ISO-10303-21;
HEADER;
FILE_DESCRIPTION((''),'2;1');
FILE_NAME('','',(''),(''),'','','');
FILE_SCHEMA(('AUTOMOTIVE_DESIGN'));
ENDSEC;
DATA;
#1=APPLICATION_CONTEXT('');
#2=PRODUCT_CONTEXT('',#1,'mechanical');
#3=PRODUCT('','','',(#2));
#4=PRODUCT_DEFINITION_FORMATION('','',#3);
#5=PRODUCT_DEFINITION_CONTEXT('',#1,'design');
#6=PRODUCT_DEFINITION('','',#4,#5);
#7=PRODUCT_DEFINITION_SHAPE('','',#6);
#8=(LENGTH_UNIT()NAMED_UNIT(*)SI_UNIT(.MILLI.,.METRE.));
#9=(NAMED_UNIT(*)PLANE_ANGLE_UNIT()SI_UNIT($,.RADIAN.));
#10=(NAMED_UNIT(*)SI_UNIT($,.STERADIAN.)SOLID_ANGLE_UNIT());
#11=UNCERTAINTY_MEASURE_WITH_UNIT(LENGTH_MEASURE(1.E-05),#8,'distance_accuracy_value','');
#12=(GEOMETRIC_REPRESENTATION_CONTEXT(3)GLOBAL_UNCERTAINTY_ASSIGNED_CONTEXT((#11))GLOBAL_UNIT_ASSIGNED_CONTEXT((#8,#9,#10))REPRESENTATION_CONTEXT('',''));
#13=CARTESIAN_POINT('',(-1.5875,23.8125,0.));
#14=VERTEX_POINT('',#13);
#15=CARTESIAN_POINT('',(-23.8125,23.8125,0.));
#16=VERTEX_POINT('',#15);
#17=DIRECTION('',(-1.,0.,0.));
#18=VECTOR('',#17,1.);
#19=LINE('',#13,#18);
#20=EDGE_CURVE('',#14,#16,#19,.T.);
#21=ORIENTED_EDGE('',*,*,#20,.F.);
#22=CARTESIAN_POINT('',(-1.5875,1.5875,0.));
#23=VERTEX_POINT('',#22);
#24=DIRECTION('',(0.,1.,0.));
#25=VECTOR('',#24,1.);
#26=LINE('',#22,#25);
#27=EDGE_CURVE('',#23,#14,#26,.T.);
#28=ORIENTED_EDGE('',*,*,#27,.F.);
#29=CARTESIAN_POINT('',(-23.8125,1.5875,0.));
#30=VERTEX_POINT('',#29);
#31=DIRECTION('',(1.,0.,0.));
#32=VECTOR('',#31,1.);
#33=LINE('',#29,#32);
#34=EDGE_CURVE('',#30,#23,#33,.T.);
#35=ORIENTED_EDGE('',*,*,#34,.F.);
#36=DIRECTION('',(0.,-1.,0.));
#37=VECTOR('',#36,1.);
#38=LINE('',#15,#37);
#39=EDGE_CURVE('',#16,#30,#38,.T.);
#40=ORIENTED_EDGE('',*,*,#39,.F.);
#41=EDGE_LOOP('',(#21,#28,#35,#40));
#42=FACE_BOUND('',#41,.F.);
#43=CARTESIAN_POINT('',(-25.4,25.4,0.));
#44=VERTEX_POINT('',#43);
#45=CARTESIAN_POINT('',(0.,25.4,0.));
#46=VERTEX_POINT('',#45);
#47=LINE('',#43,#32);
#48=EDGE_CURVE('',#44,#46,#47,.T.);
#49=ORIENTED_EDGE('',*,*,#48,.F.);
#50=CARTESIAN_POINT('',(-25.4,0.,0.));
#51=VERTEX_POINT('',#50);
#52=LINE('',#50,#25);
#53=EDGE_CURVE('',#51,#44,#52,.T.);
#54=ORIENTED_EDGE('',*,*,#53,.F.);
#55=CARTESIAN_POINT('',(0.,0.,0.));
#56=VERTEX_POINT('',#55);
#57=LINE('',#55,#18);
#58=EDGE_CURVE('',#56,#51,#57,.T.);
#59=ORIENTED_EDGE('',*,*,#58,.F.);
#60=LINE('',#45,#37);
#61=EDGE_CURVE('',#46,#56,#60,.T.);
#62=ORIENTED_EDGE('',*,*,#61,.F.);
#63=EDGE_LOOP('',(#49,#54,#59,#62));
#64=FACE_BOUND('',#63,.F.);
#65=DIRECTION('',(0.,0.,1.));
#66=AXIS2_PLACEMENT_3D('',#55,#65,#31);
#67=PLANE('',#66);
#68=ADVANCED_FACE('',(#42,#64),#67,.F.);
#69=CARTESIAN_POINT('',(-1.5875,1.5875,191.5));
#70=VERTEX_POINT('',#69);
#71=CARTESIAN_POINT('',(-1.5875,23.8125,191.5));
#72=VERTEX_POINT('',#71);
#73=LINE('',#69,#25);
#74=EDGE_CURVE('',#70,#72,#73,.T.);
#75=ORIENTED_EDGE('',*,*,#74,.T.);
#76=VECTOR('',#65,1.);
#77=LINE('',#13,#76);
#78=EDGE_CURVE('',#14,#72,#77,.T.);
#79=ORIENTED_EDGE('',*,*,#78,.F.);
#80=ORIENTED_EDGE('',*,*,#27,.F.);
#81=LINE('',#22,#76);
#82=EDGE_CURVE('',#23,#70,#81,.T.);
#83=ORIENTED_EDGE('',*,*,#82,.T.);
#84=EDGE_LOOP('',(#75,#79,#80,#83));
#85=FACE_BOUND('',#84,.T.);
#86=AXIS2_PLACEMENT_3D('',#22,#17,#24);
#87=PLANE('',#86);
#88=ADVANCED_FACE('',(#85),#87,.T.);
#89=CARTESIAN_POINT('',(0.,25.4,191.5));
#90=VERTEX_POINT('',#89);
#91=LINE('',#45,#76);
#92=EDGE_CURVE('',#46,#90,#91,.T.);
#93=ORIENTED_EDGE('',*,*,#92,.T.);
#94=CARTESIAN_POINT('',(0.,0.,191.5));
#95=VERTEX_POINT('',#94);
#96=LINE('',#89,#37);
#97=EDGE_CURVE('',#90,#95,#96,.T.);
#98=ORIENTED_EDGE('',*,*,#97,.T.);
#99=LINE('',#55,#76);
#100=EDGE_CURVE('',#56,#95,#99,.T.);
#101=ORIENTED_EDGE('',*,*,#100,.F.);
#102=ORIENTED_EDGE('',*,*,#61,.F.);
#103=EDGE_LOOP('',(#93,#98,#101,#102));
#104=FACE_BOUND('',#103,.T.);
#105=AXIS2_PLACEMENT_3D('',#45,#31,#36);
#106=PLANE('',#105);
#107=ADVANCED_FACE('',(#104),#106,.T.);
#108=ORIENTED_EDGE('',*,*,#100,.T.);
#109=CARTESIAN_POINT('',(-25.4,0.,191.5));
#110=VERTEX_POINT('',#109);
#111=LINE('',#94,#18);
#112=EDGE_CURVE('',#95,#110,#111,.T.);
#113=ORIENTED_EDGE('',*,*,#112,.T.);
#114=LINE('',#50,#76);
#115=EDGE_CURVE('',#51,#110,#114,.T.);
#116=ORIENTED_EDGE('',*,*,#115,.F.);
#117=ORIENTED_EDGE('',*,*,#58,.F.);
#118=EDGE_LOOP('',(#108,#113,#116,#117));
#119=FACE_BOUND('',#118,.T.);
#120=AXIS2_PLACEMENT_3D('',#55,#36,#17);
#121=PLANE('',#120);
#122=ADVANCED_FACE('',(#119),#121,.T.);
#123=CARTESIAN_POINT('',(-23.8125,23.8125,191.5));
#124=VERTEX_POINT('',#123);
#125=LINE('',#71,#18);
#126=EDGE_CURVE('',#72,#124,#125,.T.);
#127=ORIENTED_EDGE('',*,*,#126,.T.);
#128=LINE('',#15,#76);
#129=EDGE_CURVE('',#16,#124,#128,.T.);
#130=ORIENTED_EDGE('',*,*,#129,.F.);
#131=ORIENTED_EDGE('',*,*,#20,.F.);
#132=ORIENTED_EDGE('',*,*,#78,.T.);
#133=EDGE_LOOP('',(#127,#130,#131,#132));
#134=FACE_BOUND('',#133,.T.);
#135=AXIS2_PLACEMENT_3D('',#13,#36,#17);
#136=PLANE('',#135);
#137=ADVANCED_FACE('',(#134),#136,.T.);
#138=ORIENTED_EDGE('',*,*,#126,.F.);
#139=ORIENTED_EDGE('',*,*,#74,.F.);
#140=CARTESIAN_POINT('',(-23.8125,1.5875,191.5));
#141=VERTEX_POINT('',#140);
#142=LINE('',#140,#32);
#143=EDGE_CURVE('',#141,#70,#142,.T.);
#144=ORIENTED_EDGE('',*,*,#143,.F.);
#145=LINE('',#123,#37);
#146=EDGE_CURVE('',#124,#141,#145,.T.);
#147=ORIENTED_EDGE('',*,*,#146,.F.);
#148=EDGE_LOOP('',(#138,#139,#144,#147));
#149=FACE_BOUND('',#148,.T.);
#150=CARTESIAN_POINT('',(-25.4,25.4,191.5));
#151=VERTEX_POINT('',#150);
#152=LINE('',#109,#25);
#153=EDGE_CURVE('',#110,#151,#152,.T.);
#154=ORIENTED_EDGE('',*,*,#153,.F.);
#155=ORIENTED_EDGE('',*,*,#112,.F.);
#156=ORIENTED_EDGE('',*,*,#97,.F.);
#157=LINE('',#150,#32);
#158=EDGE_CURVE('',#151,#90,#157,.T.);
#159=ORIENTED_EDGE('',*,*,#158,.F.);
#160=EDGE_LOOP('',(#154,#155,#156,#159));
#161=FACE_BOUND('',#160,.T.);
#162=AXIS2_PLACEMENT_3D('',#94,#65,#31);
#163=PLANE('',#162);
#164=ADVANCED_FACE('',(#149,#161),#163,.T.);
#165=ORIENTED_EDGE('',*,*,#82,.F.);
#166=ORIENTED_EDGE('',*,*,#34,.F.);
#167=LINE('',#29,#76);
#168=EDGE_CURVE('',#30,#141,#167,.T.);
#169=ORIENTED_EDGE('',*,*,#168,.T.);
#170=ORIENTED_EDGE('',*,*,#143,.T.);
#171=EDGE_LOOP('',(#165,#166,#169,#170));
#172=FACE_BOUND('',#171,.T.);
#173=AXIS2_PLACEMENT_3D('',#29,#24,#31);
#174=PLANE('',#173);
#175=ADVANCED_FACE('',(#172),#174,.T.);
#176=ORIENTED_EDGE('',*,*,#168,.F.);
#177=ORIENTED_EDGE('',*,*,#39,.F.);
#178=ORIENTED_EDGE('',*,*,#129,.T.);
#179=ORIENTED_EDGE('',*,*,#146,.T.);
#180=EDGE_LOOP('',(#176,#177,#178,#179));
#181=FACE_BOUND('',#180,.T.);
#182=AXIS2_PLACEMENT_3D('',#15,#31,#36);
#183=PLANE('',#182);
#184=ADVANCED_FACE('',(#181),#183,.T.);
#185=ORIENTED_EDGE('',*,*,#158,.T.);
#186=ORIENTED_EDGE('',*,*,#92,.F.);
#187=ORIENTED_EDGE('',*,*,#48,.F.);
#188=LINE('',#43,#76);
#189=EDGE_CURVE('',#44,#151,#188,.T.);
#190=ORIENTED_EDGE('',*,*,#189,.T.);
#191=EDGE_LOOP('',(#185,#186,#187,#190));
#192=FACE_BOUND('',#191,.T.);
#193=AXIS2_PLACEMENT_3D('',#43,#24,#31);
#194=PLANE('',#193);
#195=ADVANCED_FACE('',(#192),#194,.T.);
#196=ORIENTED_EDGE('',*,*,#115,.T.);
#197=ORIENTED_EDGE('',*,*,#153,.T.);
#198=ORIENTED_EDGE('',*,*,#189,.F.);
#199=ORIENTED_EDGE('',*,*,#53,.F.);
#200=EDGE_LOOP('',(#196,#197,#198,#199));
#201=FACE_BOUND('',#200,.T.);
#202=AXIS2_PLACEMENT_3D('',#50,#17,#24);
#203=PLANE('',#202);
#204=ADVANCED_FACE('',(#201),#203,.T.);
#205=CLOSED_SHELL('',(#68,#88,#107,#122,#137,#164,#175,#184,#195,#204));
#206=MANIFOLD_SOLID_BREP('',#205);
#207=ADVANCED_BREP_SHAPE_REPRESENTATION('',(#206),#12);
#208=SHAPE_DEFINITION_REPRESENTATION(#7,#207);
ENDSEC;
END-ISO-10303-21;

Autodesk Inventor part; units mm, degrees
ref_plane "YZ Plane" through (0, 0, 0) normal (1, 0, 0) x (0, 1, 0)
ref_plane "XZ Plane" through (0, 0, 0) normal (0, 1, 0) x (-1, 0, 0)
ref_plane "XY Plane" through (0, 0, 0) normal (0, 0, 1) x (1, 0, 0)
sketch "Sketch1" plane through (0, 0, 0) normal (0, 0, 1) x (1, 0, 0)
  line L0 (0, 0) -> (-25.4, 0)
  line L1 (-25.4, 0) -> (-25.4, 25.4)
  line L2 (-25.4, 25.4) -> (0, 25.4)
  line L3 (0, 25.4) -> (0, 0)
  line L4 (-23.8125, 1.5875) -> (-1.5875, 1.5875)
  line L5 (-1.5875, 1.5875) -> (-1.5875, 23.8125)
  line L6 (-1.5875, 23.8125) -> (-23.8125, 23.8125)
  line L7 (-23.8125, 23.8125) -> (-23.8125, 1.5875)
  line L8 (-23.8125, 1.5875) -> (-1.5875, 23.8125) construction
  line L9 (-1.5875, 1.5875) -> (-23.8125, 23.8125) construction
  point P0 (-12.7, 12.7)
  dimension "d0" = 25.4
  dimension "d1" = 25.4
  dimension "d2" = 22.225
  dimension "d3" = 22.225
extrude "Extrusion1" add sketch "Sketch1" along normal blind 191.5
properties part number "claw support"
